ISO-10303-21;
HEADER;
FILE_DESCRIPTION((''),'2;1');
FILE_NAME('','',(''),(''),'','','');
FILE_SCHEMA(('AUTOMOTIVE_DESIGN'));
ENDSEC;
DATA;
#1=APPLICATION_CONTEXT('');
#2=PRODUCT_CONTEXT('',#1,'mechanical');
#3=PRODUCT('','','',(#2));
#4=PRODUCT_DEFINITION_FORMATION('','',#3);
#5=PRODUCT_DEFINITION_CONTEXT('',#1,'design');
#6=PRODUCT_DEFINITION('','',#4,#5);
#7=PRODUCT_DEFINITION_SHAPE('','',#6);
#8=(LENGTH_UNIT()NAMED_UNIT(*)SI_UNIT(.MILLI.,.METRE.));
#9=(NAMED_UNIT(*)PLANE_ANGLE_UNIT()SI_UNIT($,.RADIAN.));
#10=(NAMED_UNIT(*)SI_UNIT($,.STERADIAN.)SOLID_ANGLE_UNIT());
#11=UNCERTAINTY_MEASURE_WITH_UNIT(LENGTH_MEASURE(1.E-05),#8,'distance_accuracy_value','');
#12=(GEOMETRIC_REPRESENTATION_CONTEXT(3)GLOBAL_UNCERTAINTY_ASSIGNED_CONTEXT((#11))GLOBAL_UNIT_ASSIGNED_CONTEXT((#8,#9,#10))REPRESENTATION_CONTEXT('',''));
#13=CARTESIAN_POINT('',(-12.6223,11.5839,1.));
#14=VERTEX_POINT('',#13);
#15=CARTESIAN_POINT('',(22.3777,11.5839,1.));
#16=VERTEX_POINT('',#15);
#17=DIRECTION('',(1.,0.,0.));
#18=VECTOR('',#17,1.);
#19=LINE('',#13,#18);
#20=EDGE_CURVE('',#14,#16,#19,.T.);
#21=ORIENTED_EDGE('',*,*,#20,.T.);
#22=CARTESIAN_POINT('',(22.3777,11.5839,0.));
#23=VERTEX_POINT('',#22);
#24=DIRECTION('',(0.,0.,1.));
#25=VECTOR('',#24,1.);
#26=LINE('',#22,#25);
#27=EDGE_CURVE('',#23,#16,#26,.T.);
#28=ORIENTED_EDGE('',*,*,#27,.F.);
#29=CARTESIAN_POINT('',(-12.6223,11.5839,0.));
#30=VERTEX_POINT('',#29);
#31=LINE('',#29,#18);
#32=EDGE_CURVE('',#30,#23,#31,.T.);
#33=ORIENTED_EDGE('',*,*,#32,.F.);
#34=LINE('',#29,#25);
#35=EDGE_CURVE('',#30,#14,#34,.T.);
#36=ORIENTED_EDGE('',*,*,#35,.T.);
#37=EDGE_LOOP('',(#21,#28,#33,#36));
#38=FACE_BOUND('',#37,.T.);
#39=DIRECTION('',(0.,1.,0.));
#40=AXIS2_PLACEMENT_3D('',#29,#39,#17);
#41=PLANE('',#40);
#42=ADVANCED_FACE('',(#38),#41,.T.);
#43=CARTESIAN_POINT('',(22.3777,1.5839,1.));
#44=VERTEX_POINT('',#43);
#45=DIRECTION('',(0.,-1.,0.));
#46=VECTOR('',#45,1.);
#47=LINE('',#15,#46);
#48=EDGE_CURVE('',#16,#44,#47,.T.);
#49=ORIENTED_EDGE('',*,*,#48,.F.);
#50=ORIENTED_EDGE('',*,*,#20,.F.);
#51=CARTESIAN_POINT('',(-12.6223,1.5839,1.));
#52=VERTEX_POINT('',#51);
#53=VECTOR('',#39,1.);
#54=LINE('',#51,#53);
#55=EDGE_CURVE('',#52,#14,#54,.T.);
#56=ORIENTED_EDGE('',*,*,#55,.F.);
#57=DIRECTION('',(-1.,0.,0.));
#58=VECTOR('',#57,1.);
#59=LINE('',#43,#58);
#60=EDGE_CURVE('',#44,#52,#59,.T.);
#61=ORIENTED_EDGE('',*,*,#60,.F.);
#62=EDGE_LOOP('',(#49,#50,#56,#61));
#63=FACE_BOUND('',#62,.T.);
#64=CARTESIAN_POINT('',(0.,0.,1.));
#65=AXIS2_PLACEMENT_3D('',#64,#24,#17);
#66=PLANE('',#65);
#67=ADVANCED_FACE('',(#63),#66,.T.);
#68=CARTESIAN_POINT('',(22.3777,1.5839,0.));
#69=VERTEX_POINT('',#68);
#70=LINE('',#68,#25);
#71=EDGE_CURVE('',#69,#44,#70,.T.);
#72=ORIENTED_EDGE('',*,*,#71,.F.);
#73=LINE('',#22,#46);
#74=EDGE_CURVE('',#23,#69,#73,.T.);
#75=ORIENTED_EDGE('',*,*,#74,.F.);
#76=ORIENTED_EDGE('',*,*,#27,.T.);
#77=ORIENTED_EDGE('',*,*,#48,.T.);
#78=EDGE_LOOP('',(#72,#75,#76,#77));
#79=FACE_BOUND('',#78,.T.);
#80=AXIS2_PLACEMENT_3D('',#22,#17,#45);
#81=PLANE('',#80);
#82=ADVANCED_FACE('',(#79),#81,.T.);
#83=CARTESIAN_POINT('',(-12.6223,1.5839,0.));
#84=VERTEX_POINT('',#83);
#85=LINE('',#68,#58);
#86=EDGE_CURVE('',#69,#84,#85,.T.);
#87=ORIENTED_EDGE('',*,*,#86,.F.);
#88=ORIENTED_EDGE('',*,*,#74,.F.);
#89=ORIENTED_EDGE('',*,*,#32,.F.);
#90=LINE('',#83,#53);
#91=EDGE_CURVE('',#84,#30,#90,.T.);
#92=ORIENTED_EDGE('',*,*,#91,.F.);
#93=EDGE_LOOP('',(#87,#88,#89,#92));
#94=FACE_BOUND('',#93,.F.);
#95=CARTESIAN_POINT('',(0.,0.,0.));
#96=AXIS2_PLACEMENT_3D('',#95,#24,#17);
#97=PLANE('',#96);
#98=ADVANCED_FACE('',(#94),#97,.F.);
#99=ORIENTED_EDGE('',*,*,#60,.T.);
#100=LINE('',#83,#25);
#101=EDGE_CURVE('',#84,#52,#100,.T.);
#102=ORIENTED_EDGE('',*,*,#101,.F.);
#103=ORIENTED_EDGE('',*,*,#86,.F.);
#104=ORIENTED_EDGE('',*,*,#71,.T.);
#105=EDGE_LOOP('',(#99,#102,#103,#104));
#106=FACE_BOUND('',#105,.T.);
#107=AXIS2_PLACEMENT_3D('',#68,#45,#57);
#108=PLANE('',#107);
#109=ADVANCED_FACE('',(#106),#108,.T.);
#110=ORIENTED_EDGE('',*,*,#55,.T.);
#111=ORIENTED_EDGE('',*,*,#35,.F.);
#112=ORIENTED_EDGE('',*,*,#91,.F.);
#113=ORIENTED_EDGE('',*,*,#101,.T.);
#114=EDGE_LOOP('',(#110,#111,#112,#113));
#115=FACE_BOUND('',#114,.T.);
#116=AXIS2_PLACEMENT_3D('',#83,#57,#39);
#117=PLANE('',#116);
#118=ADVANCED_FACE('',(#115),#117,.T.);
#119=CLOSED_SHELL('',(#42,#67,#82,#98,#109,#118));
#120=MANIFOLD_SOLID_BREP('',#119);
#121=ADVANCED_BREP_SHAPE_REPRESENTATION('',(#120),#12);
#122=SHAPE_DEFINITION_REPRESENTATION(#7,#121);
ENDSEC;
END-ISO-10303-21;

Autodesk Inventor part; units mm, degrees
ref_plane "YZ Plane" through (0, 0, 0) normal (1, 0, 0) x (0, 1, 0)
ref_plane "XZ Plane" through (0, 0, 0) normal (0, 1, 0) x (-1, 0, 0)
ref_plane "XY Plane" through (0, 0, 0) normal (0, 0, 1) x (1, 0, 0)
sketch "Sketch1" plane through (0, 0, 0) normal (0, 0, 1) x (1, 0, 0)
  line L0 (-12.6223, 11.5839) -> (22.3777, 11.5839)
  line L1 (22.3777, 11.5839) -> (22.3777, 1.5839)
  line L2 (22.3777, 1.5839) -> (-12.6223, 1.5839)
  line L3 (-12.6223, 1.5839) -> (-12.6223, 11.5839)
  point P0 (0, 0)
  dimension "d0" = 35
  dimension "d1" = 10
extrude "Extrusion1" add sketch "Sketch1" along normal blind 1
properties part number "Eyebrow2" material "Wood (Maple)"
